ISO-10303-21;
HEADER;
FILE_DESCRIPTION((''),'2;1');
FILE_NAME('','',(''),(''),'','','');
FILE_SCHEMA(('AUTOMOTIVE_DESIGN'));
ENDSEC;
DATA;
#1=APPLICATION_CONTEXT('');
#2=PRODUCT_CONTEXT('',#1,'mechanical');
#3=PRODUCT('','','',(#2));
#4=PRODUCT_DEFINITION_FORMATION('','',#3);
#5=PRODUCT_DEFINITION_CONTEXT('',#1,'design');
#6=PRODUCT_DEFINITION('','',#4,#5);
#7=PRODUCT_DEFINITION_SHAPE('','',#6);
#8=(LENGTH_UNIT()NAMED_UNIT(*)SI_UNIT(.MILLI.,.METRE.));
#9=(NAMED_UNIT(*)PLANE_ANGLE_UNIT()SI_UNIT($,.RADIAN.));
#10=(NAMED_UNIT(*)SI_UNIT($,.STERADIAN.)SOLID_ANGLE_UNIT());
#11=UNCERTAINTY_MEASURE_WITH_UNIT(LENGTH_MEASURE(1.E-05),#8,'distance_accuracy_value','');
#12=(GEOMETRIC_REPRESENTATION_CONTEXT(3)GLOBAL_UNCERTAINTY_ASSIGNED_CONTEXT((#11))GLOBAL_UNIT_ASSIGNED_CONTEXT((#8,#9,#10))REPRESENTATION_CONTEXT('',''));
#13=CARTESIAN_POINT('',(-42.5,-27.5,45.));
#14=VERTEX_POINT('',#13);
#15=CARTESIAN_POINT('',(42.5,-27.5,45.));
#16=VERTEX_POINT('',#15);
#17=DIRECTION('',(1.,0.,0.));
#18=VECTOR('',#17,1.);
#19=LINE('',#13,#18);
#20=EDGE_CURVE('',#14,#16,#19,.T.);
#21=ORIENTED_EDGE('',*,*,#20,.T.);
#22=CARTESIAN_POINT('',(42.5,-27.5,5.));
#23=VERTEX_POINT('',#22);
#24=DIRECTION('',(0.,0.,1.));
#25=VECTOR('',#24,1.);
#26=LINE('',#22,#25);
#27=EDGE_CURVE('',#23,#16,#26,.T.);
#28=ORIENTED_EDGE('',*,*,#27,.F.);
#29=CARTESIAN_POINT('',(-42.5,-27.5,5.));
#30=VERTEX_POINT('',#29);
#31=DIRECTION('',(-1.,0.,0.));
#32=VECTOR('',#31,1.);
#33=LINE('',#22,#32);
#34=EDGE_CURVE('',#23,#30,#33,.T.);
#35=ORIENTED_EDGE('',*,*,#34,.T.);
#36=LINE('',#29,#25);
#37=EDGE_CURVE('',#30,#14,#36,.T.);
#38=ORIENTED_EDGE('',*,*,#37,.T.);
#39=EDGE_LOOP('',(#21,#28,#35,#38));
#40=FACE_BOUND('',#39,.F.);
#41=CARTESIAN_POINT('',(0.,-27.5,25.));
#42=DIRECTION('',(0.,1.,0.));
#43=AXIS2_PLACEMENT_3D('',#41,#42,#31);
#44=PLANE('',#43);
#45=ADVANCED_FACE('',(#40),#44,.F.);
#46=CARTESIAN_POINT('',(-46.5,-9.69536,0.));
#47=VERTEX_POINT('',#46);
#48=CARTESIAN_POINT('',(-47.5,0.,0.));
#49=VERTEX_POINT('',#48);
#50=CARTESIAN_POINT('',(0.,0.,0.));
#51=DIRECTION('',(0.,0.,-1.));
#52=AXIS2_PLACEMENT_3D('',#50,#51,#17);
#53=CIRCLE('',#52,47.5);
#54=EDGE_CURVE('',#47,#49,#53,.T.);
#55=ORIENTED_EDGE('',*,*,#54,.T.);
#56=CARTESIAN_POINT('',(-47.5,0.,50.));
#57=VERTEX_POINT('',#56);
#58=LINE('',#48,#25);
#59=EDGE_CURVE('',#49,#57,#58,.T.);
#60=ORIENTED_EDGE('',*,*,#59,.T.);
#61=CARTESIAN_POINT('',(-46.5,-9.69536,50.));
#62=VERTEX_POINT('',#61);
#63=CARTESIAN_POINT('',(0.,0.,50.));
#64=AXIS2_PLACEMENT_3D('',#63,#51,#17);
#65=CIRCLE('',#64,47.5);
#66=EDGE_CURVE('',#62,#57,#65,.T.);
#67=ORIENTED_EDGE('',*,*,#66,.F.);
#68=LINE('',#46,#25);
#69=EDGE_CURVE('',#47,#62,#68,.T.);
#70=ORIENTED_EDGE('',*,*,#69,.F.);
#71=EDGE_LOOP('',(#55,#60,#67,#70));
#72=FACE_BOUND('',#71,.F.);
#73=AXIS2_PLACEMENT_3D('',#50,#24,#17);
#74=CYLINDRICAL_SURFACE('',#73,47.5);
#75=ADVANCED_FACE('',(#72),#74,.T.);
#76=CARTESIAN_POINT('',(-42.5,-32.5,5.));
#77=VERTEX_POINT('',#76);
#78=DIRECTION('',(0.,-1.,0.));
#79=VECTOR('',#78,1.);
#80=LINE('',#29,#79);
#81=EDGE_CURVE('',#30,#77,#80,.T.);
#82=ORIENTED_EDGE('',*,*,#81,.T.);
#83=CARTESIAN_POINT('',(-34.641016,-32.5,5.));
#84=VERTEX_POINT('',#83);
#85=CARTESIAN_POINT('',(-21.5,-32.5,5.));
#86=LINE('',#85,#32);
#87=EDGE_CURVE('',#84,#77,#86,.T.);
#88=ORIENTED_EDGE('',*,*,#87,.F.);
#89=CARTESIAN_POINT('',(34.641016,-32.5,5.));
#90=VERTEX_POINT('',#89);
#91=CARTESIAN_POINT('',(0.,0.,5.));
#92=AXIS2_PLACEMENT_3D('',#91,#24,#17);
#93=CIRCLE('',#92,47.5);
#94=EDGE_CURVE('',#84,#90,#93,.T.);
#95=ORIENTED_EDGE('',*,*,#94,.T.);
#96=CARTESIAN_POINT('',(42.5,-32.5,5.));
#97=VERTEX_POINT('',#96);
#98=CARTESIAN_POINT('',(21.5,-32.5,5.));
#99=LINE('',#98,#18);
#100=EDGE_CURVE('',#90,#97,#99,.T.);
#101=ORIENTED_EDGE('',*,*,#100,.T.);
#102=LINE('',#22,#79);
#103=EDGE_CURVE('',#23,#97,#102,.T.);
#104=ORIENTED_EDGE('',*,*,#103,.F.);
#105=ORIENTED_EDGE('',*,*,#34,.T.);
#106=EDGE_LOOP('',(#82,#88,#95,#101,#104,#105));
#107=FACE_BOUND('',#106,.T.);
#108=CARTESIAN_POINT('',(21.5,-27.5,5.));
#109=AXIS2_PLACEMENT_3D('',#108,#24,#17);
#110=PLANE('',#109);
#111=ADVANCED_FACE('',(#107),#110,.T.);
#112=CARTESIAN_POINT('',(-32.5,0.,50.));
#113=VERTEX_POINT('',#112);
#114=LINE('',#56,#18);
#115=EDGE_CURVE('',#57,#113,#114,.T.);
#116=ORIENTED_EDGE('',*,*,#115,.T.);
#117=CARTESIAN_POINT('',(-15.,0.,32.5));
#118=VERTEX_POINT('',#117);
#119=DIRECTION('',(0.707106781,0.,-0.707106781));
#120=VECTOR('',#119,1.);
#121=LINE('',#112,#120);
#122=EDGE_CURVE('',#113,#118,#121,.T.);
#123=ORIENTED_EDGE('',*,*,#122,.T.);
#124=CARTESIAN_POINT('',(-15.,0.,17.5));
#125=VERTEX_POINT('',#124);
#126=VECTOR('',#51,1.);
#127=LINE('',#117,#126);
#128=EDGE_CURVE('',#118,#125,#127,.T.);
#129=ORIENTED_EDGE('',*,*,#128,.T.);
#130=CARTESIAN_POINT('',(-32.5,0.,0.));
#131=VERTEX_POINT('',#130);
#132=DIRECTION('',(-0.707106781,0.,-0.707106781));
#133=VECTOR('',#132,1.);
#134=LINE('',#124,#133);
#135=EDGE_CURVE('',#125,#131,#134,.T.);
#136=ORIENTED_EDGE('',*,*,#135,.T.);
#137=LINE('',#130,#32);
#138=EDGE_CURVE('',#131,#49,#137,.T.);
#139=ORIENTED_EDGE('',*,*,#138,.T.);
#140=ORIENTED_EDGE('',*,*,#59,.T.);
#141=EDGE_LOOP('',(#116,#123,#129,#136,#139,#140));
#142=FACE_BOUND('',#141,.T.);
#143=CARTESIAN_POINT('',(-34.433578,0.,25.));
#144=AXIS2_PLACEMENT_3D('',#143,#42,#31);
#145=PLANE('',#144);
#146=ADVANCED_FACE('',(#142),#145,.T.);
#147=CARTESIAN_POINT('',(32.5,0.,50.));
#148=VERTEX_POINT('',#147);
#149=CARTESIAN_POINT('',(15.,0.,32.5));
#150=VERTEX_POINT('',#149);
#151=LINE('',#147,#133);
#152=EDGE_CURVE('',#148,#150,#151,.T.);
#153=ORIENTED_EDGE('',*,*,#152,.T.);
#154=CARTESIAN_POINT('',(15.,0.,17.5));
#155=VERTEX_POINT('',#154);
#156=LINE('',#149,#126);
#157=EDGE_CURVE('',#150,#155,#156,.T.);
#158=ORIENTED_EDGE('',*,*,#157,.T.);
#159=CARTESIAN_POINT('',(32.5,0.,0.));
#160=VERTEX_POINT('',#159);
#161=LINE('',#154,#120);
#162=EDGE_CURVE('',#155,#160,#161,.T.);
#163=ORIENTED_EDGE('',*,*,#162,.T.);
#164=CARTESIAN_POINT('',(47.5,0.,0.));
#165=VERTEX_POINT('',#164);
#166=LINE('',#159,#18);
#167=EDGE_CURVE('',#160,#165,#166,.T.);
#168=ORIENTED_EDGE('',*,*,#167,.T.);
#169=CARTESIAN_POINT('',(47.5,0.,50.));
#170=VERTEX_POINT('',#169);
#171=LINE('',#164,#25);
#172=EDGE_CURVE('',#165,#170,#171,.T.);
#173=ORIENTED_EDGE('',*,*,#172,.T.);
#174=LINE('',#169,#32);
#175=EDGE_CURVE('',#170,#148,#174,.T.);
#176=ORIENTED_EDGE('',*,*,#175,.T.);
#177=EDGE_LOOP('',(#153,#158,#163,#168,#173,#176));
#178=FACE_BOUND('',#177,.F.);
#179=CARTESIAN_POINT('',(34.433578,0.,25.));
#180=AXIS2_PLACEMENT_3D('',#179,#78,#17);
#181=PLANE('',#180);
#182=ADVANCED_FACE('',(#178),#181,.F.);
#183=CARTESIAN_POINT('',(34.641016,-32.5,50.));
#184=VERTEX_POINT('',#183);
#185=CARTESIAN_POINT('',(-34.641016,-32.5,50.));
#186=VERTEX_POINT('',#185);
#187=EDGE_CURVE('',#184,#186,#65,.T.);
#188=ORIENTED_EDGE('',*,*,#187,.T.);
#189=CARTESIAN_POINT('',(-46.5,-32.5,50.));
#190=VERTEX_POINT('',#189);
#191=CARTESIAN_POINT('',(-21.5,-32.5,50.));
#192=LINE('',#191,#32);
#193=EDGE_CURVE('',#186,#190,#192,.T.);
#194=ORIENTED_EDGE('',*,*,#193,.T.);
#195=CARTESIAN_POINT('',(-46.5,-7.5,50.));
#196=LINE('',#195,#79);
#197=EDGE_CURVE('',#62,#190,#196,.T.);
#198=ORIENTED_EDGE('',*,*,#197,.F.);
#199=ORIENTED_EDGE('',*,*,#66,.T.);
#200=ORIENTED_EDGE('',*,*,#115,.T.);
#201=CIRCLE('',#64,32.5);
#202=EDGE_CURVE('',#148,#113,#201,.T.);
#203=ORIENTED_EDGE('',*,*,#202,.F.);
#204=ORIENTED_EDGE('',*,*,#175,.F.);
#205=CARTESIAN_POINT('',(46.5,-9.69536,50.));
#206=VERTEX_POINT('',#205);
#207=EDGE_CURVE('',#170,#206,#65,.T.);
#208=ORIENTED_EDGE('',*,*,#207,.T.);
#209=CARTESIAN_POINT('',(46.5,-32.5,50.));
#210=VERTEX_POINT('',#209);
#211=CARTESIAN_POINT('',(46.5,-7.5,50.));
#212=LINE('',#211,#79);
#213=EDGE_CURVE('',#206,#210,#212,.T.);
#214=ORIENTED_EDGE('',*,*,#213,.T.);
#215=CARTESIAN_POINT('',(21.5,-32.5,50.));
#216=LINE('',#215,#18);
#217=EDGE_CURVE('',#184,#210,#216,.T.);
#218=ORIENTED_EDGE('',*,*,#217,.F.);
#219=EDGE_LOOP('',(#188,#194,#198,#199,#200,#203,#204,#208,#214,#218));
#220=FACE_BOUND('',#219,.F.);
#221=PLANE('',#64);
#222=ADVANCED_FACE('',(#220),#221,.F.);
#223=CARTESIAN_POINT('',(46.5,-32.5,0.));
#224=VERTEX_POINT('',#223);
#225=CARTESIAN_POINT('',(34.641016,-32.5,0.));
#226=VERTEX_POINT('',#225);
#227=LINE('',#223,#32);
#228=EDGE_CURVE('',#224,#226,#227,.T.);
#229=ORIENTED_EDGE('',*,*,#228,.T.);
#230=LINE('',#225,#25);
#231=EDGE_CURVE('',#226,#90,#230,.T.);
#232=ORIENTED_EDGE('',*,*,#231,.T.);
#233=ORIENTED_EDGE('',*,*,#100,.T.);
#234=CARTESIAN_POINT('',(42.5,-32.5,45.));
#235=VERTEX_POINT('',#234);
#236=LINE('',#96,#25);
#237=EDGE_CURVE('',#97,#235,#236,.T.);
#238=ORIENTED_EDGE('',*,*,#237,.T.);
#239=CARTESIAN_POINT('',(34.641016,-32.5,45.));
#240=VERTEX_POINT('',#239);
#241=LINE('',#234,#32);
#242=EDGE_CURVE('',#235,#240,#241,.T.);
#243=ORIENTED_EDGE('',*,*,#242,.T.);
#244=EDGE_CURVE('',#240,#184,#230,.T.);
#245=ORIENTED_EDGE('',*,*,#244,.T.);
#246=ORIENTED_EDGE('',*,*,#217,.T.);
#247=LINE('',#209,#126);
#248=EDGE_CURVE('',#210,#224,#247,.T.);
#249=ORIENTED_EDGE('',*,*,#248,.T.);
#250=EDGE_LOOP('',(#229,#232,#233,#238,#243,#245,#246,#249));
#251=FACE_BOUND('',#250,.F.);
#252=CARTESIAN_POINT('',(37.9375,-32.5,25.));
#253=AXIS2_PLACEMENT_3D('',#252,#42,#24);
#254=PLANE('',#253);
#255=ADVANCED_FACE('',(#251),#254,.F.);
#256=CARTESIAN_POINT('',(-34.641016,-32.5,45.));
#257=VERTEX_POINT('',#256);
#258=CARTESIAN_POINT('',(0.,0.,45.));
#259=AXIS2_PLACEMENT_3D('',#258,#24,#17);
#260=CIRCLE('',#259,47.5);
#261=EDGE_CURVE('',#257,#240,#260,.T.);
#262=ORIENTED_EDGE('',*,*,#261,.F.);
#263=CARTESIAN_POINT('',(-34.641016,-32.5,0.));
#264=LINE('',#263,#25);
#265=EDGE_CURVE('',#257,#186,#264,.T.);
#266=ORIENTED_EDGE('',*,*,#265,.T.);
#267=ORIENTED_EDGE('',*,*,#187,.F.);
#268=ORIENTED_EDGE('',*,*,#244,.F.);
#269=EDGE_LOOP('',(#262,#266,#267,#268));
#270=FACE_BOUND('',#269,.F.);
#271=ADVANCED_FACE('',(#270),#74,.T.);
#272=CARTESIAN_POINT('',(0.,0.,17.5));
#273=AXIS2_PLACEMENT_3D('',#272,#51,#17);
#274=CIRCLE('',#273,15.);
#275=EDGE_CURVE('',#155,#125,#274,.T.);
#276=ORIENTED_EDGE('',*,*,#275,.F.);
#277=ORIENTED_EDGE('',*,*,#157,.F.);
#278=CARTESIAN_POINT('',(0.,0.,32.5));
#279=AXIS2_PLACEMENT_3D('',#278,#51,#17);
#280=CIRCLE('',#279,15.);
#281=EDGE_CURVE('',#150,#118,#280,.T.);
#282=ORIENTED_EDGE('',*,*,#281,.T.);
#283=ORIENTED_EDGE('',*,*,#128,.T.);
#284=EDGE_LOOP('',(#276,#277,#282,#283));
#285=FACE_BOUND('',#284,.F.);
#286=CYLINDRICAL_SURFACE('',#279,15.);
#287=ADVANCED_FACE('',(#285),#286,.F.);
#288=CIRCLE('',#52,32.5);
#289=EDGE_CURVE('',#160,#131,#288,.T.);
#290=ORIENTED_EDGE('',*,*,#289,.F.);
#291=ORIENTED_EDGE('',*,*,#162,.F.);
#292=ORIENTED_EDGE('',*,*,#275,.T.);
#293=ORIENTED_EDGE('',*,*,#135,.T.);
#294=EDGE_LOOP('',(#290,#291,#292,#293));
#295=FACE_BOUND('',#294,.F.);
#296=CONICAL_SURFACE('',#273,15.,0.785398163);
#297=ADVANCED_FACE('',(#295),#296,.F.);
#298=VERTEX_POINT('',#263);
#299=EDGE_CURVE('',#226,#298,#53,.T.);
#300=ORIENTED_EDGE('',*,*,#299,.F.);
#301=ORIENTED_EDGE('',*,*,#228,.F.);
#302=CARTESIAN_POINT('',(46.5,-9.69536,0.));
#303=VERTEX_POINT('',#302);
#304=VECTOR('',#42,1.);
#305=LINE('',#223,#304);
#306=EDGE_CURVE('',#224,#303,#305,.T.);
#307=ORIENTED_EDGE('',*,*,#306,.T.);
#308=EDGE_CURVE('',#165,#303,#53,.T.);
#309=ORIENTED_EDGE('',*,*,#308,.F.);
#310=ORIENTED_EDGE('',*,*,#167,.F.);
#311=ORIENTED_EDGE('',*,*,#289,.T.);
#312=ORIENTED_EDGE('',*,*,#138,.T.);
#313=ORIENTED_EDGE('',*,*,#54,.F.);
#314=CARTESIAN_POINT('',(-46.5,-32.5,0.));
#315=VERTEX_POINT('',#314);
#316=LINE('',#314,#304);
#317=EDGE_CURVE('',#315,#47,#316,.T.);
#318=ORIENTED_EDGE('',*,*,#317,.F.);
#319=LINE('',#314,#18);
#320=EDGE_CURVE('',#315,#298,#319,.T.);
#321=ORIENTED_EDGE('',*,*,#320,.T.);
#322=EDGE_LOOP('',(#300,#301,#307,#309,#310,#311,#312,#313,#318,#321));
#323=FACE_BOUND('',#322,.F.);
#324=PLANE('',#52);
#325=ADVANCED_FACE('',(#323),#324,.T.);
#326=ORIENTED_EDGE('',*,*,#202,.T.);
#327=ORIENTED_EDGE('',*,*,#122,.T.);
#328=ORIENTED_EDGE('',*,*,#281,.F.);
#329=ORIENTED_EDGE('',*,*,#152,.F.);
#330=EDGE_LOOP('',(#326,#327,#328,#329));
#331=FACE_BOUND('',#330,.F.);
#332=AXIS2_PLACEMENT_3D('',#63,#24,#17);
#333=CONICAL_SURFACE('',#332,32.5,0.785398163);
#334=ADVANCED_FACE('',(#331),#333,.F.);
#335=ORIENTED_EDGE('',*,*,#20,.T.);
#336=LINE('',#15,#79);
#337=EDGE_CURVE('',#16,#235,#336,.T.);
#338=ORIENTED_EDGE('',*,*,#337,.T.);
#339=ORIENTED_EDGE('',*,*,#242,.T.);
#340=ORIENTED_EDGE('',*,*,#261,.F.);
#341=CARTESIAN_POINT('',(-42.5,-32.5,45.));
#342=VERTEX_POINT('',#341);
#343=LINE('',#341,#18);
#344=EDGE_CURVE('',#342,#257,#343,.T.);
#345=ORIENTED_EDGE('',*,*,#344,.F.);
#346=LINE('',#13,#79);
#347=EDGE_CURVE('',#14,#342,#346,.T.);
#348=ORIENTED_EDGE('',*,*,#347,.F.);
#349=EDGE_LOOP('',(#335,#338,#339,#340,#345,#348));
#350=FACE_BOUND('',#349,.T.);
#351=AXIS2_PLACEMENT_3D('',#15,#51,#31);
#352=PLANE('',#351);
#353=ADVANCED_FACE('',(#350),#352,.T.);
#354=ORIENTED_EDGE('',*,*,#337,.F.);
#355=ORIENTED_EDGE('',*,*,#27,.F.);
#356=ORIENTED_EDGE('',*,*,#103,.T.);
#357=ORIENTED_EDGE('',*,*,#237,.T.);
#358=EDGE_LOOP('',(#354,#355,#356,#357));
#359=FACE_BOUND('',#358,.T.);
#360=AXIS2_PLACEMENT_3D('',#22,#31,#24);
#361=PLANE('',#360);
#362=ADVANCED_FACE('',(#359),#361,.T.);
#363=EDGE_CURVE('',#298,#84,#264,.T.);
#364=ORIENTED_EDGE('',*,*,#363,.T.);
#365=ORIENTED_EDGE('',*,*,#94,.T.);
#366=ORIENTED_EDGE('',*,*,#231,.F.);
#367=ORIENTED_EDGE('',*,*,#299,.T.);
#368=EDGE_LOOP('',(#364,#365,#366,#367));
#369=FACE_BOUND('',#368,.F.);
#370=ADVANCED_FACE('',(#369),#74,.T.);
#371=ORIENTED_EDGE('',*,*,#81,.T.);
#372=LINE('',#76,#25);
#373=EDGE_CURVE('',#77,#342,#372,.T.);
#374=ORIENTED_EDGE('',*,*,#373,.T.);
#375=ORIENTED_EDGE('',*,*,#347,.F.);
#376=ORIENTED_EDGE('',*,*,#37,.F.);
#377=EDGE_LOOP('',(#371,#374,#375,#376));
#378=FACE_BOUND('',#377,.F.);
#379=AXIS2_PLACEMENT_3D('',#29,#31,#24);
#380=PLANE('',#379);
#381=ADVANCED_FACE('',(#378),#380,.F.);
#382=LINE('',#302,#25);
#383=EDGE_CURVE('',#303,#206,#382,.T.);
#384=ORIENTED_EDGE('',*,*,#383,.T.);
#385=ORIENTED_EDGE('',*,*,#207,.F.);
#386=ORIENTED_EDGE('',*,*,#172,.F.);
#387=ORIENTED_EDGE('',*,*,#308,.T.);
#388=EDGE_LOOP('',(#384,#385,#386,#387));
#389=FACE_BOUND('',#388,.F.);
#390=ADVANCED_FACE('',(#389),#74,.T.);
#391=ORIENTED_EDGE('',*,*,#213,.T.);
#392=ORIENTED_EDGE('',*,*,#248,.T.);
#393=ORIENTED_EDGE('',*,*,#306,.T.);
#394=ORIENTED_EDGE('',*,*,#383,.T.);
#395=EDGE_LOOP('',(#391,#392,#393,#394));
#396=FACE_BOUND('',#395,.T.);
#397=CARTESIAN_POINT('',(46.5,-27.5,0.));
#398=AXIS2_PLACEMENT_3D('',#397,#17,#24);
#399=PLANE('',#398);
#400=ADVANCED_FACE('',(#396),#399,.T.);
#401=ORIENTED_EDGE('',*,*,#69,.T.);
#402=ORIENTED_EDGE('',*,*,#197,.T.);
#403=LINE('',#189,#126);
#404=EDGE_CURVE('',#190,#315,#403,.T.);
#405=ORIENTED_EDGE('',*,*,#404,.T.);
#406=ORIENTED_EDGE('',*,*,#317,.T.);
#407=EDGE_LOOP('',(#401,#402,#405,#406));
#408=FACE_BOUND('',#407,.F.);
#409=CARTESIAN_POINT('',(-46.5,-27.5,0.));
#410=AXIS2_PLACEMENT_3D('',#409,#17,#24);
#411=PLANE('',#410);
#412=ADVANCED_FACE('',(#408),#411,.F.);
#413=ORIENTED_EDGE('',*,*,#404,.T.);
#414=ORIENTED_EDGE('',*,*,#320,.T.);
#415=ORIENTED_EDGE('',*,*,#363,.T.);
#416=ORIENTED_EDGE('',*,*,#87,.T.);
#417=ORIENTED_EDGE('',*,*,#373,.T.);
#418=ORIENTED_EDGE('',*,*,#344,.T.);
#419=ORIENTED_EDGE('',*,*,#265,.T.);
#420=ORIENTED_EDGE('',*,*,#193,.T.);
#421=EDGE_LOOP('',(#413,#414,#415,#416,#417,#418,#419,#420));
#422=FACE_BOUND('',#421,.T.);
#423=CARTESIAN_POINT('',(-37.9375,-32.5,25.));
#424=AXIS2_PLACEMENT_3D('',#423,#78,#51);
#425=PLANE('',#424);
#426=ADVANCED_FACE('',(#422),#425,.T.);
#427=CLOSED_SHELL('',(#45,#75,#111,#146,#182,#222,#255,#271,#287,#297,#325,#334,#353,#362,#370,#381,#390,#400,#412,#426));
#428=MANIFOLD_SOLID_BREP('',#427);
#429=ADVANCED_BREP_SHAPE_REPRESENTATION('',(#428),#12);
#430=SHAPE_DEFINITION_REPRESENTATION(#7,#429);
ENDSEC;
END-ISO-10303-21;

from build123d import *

# Parameters (mm, degrees)
SKETCH006_AS_DRAWN_W                 = 85
SKETCH006_AS_DRAWN_H                 = 40
EXTRUDE002_DEPTH                     = 80
EXTRUDE002_ONTO_SKETCH006_ROLL_ANGLE = 90
SKETCH005_R                          = 39.095168
EXTRUDE001_DEPTH                     = 60
EXTRUDE_DEPTH                        = 5
SKETCH004_W                          = 93
SKETCH004_H                          = 50
PAD_DEPTH                            = 20
REVOLUTION_ANGLE                     = -180


with BuildPart() as extrude002:
    # Sketch006 as drawn → Extrude002 (new)
    with BuildSketch(Plane.XY):
        with Locations((0, 25)):
            Rectangle(SKETCH006_AS_DRAWN_W, SKETCH006_AS_DRAWN_H)
    extrude(amount=EXTRUDE002_DEPTH)


with BuildPart() as extrude002_1:
    # Extrude002 onto Sketch006 roll: moved
    add(extrude002.part.rotate(Axis((0, 0, 0), (1, 0, 0)), EXTRUDE002_ONTO_SKETCH006_ROLL_ANGLE))


with BuildPart() as extrude002_2:
    # Extrude002 onto Sketch006 placement: moved
    add(extrude002_1.part.moved(Location((0, -27.5, 0))))


with BuildPart() as extrude001:
    # Sketch005 → Extrude001 (new body)
    with BuildSketch(Plane(origin=(0, 0, 0), x_dir=(1, 0, 0), z_dir=(0, 0, -1))):
        Circle(SKETCH005_R)
    extrude(amount=-EXTRUDE001_DEPTH)


with BuildPart() as cut:
    # Sketch003 → Extrude (new body)
    with BuildSketch(Plane(origin=(-42.5, -27.5, 45), x_dir=(0, 0, 1), z_dir=(0, 1, 0))):
        Polygon((0, 64), (5, 64), (5, 89), (-45, 89), (-45, 64), (-40, 64), (-40, 85), (0, 85), align=None)
        Polygon((0, 21), (5, 21), (5, -4), (-45, -4), (-45, 21), (-40, 21), (-40, 0), (0, 0), align=None)
    extrude(amount=-EXTRUDE_DEPTH)

    # Sketch004 → Pad (new body)
    with BuildSketch(Plane(origin=(0, -27.5, 0), x_dir=(-1, 0, 0), z_dir=(0, 1, 0))):
        with Locations((0, 25)):
            Rectangle(SKETCH004_W, SKETCH004_H)
    extrude(amount=PAD_DEPTH)

    # Cut: cut Extrude001
    add(extrude001.part, mode=Mode.SUBTRACT)


with BuildPart() as cut001:
    # Sketch → Revolution (revolve)
    with BuildSketch(Plane.XZ):
        Polygon((32.5, 50), (15, 32.5), (15, 17.5), (32.5, 0), (47.5, 0), (47.5, 50), align=None)
    revolve(axis=Axis((0, 0, 0), (0, 0, 1)), revolution_arc=REVOLUTION_ANGLE)

    # Fusion: union Cut
    add(cut.part)

    # Cut001: cut Extrude002
    add(extrude002_2.part, mode=Mode.SUBTRACT)


solid = cut001.part
